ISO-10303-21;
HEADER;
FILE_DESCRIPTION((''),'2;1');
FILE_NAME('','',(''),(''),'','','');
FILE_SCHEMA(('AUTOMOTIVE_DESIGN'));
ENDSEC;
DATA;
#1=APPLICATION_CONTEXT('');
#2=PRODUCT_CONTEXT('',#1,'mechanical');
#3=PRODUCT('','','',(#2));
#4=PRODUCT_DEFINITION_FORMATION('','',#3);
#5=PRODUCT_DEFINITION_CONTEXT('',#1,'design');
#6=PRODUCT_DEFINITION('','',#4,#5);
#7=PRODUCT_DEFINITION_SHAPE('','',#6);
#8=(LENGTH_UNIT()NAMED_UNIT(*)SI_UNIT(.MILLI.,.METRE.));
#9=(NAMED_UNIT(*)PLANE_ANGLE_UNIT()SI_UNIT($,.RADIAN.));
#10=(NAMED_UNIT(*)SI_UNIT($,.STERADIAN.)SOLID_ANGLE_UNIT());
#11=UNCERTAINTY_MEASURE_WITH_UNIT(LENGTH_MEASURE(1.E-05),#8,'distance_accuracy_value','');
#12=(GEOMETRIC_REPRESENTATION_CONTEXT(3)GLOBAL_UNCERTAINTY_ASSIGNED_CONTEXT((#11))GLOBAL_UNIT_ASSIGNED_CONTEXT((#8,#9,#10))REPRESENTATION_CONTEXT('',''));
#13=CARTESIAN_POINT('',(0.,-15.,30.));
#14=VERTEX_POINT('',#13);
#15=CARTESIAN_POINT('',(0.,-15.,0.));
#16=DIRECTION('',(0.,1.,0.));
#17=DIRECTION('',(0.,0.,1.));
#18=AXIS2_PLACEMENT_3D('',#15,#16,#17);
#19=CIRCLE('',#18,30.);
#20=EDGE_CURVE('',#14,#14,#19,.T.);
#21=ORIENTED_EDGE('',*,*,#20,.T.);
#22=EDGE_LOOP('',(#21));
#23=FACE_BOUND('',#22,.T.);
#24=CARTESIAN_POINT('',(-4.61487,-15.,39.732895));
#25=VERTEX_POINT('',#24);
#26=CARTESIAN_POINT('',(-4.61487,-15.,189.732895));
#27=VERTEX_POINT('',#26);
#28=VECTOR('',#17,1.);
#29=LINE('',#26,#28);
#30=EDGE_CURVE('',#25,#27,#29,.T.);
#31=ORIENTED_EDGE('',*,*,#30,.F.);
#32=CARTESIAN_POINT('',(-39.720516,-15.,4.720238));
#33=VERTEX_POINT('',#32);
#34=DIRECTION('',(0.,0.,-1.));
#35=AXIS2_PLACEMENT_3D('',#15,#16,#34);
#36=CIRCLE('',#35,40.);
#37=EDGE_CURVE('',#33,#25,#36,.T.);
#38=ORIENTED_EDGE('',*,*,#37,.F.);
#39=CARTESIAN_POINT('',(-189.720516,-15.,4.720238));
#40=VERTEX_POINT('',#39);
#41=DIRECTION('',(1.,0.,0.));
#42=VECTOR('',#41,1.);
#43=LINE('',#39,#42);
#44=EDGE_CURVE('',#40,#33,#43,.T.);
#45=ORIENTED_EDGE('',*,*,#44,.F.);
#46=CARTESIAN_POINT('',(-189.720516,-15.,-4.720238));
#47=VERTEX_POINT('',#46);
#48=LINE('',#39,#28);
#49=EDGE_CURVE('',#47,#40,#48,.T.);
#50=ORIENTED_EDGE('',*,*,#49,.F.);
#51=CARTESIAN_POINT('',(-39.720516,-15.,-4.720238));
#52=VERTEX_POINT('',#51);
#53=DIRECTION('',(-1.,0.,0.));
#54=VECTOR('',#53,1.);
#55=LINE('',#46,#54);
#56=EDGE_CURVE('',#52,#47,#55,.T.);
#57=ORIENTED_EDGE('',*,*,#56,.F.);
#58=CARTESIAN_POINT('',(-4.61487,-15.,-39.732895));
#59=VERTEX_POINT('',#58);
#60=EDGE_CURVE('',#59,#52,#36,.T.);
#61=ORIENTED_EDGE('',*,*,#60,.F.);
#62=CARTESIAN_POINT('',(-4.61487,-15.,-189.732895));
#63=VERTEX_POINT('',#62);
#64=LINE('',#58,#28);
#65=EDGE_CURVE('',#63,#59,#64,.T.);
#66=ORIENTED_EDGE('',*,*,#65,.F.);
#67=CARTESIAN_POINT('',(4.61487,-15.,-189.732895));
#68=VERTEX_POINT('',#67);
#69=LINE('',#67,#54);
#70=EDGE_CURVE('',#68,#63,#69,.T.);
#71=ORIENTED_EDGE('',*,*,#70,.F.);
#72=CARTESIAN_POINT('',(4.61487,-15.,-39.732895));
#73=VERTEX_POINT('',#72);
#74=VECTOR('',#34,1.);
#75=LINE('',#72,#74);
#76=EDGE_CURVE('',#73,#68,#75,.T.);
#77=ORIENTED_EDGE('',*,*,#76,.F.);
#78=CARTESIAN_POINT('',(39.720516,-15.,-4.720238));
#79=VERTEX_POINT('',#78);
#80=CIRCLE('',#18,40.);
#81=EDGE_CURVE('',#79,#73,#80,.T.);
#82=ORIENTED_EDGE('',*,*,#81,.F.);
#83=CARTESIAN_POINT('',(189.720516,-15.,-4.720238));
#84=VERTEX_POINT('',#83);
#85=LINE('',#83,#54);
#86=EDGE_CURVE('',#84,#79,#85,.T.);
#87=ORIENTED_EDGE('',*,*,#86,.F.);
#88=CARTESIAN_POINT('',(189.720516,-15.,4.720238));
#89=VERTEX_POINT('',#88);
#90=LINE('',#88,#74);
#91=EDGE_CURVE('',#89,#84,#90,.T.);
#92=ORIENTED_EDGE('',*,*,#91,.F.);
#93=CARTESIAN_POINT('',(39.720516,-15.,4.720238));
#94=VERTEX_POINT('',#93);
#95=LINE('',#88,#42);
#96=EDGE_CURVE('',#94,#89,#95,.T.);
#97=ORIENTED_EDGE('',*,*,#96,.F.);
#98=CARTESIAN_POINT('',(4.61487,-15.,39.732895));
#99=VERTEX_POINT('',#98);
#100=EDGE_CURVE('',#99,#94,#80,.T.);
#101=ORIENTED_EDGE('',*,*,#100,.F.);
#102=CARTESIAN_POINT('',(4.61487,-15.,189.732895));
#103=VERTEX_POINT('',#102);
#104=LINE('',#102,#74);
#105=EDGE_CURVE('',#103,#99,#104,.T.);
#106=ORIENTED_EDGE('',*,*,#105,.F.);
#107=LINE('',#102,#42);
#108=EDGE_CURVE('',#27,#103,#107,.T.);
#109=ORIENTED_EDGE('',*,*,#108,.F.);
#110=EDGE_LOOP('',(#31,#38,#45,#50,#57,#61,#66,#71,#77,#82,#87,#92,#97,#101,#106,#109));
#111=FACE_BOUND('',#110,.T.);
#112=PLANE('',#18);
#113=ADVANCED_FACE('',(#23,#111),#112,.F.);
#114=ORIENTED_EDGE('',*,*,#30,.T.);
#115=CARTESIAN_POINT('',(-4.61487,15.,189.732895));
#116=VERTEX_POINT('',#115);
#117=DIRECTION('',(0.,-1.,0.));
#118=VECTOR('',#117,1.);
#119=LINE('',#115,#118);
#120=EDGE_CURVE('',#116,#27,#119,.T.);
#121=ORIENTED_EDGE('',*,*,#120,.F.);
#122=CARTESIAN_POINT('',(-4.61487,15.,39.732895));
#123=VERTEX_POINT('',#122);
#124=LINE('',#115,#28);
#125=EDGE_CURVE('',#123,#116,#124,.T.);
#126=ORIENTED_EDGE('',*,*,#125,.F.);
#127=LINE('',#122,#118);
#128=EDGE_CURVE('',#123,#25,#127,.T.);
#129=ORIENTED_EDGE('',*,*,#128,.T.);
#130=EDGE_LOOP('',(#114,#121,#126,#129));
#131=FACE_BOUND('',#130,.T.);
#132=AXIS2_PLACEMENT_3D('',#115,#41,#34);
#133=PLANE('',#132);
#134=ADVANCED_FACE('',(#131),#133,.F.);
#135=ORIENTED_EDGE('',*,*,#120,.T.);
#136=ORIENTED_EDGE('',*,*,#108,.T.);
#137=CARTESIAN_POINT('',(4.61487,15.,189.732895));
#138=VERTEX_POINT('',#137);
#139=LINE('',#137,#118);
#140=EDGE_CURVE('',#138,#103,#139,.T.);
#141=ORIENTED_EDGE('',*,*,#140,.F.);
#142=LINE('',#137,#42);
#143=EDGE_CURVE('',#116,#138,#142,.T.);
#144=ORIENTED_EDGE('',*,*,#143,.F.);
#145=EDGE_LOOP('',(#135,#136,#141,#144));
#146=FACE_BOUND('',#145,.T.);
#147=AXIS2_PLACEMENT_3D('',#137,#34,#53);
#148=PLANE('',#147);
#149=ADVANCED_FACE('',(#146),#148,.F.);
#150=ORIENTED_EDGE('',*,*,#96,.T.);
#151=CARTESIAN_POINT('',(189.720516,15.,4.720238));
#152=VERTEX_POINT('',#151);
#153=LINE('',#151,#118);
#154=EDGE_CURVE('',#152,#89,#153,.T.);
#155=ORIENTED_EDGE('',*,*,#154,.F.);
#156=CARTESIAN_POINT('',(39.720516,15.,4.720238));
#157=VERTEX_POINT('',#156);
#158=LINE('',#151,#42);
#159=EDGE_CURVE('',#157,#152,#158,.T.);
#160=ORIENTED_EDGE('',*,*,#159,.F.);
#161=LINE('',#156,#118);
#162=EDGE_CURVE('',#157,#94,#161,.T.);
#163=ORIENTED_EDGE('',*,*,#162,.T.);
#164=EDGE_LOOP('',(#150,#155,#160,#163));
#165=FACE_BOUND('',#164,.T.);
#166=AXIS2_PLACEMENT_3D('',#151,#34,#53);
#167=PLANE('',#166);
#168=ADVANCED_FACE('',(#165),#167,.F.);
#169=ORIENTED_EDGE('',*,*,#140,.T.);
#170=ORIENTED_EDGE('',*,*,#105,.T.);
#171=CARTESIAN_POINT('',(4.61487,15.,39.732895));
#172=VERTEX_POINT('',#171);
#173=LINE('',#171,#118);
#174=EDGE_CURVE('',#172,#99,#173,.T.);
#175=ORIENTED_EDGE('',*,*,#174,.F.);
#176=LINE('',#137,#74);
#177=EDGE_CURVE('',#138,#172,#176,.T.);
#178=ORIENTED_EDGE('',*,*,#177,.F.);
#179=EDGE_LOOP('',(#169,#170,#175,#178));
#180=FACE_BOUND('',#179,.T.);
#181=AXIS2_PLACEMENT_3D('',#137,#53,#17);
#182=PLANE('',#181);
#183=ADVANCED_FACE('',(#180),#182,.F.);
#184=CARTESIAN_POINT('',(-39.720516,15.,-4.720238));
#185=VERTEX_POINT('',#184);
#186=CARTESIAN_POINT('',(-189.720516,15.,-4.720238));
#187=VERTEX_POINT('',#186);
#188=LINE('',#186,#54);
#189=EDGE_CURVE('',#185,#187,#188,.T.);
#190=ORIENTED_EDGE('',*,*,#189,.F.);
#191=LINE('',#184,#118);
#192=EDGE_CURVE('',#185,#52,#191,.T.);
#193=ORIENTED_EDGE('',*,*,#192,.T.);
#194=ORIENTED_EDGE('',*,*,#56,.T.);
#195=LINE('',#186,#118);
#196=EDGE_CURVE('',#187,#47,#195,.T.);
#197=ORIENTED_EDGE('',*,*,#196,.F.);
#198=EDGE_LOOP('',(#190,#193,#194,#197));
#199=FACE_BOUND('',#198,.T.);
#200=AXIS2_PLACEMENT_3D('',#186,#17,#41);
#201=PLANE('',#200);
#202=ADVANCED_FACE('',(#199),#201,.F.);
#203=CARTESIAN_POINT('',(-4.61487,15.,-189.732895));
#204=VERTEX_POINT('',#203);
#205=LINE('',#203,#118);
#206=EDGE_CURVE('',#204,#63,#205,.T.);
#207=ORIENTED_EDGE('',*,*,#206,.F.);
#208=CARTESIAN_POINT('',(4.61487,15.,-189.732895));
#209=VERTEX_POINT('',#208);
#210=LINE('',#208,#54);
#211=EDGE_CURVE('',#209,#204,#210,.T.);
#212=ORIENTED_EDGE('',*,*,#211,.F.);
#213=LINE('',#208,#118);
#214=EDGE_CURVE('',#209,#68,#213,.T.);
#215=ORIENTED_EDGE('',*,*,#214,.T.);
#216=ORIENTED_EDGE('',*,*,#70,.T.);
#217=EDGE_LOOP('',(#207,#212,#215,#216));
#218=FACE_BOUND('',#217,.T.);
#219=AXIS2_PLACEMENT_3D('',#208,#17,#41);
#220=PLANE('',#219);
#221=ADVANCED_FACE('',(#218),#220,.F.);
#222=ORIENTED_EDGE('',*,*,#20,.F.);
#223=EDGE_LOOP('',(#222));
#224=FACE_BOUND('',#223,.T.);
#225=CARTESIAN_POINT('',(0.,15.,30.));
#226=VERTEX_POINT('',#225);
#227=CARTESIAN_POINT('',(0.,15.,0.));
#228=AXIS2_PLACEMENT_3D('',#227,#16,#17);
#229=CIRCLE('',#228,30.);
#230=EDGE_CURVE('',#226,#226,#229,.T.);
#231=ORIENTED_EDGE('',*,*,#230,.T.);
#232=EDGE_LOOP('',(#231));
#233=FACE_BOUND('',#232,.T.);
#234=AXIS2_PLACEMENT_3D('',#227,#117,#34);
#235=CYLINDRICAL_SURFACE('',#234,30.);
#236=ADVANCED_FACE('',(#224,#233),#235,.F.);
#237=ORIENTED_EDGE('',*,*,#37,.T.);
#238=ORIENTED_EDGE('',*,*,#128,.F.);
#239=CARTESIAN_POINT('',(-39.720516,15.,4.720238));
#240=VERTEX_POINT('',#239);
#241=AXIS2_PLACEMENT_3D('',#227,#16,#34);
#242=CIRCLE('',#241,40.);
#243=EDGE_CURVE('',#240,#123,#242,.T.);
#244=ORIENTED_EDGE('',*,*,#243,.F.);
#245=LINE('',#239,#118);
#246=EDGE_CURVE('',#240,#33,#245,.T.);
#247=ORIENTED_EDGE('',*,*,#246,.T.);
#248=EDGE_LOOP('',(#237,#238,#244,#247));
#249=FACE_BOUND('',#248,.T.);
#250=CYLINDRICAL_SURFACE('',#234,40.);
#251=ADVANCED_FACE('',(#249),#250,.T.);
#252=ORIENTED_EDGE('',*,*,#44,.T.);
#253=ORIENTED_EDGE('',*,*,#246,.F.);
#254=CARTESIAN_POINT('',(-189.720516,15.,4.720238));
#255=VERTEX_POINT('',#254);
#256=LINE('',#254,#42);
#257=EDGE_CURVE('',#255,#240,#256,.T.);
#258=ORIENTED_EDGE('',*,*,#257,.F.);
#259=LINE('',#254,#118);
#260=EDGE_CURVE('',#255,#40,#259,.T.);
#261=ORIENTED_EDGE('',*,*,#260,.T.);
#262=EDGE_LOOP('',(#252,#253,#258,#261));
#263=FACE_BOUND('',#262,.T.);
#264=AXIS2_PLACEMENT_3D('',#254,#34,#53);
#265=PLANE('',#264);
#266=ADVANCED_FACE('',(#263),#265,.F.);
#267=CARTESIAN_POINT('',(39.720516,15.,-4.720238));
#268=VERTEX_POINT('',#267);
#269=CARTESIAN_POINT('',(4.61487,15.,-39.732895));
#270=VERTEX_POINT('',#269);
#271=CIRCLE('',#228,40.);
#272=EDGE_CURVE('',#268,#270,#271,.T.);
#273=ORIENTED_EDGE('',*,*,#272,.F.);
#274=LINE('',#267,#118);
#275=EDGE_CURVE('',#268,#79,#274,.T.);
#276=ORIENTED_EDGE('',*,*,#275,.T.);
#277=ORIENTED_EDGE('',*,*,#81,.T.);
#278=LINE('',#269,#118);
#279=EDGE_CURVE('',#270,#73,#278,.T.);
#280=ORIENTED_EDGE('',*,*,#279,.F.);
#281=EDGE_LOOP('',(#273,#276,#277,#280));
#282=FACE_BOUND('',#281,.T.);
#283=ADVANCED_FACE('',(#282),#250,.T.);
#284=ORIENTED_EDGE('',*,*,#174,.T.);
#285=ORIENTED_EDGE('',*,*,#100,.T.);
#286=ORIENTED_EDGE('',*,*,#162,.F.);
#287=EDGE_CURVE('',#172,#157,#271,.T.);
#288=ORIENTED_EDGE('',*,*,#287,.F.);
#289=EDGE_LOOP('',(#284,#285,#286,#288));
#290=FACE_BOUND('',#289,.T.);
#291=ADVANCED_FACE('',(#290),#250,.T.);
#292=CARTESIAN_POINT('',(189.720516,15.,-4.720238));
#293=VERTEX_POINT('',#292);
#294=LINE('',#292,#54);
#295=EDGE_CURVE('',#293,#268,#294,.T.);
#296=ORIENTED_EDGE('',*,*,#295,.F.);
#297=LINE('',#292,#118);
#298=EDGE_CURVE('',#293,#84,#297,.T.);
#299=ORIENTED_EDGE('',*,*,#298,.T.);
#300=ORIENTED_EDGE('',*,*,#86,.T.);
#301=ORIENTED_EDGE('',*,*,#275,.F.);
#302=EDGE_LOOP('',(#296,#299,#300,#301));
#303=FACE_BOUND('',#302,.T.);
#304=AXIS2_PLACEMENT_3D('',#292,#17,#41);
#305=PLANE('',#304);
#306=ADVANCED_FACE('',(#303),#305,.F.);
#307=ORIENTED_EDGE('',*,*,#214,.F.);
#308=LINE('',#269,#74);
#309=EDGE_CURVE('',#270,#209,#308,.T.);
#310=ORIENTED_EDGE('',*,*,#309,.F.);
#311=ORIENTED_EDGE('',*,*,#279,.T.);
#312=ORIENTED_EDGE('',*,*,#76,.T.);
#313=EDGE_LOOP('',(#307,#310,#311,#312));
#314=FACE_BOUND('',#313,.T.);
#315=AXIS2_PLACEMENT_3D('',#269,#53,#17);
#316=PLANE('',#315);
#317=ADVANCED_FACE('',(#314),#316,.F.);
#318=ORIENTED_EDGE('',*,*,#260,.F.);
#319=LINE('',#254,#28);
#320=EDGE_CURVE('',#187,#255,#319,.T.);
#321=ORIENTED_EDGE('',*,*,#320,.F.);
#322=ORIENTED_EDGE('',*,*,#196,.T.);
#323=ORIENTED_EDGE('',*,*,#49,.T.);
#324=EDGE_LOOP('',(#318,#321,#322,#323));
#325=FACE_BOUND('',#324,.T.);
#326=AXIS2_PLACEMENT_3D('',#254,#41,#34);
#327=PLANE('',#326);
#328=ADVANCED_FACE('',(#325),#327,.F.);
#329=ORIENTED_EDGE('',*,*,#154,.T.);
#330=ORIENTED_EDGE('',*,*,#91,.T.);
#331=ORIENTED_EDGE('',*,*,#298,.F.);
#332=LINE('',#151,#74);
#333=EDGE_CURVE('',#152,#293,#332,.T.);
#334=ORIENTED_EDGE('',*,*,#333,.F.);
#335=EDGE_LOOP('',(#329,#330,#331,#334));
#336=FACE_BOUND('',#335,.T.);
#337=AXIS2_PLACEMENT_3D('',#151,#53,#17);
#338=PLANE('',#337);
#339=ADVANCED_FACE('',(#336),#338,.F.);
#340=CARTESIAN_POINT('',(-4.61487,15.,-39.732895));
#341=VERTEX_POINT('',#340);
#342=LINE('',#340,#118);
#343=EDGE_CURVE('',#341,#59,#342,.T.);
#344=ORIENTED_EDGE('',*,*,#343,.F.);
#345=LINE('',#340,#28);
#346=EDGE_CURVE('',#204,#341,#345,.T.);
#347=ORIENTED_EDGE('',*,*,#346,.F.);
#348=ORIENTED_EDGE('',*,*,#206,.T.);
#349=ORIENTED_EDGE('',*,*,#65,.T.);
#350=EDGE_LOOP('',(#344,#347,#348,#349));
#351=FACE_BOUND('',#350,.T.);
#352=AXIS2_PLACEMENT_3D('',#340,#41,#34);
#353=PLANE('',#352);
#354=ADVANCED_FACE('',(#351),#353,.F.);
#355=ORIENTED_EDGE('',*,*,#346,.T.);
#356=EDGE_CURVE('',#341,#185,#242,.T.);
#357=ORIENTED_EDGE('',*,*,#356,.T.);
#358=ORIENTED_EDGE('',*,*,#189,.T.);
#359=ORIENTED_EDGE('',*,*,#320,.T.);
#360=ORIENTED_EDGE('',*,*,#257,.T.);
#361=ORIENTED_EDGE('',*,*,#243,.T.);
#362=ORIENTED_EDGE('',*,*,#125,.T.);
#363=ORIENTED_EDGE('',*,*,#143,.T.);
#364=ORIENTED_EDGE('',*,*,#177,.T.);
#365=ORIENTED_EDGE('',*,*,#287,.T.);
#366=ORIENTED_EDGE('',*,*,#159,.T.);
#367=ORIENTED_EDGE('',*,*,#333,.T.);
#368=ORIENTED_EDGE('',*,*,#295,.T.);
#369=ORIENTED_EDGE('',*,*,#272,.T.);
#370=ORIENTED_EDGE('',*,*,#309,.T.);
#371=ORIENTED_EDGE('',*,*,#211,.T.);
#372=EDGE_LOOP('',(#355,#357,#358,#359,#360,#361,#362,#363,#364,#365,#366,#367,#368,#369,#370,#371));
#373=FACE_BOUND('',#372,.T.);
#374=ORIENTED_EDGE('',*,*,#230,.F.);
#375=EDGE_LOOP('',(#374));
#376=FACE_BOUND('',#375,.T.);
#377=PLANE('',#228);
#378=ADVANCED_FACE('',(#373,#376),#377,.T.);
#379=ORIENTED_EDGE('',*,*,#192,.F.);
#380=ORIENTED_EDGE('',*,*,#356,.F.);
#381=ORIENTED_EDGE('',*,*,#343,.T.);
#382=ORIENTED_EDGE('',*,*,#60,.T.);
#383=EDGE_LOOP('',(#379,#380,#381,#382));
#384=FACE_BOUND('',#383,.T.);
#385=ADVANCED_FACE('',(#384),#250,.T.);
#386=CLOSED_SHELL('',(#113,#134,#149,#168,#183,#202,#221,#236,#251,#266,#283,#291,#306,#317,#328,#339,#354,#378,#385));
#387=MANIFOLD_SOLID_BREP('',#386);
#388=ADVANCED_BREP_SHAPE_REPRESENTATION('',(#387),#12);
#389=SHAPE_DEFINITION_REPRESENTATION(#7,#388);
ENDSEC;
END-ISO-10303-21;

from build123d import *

# Parameters (mm, degrees)
SKETCH1_R           = 30
BOSS_EXTRUDE2_DEPTH = 15


with BuildPart() as part:
    # Sketch1 → Boss-Extrude2 (new, symmetric)
    with BuildSketch(Plane(origin=(0, 0, 0), x_dir=(1, 0, 0), z_dir=(0, 1, 0))):
        with BuildLine():
            Line((-4.614869531, 39.732895429), (-4.614869531, 189.732895429))
            Line((-4.614869531, 189.732895429), (4.614869531, 189.732895429))
            Line((4.614869531, 189.732895429), (4.614869531, 39.732895429))
            ThreePointArc((4.614869531, 39.732895429), (28.246736926, 28.321755825), (39.720515579, 4.720237505))
            Line((39.720515579, 4.720237505), (189.720515579, 4.720237505))
            Line((189.720515579, 4.720237505), (189.720515579, -4.720237505))
            Line((189.720515579, -4.720237505), (39.720515579, -4.720237505))
            ThreePointArc((39.720515579, -4.720237505), (28.246736926, -28.321755825), (4.614869531, -39.732895429))
            Line((4.614869531, -39.732895429), (4.614869531, -189.732895429))
            Line((4.614869531, -189.732895429), (-4.614869531, -189.732895429))
            Line((-4.614869531, -189.732895429), (-4.614869531, -39.732895429))
            ThreePointArc((-4.614869531, -39.732895429), (-28.246736926, -28.321755825), (-39.720515579, -4.720237505))
            Line((-39.720515579, -4.720237505), (-189.720515579, -4.720237505))
            Line((-189.720515579, -4.720237505), (-189.720515579, 4.720237505))
            Line((-189.720515579, 4.720237505), (-39.720515579, 4.720237505))
            ThreePointArc((-39.720515579, 4.720237505), (-28.246736926, 28.321755825), (-4.614869531, 39.732895429))
        make_face()
        with Locations(Location((0, 0, 0), (0, 0, 270))):
            Circle(SKETCH1_R, mode=Mode.SUBTRACT)
    extrude(amount=BOSS_EXTRUDE2_DEPTH, both=True)


solid = part.part
